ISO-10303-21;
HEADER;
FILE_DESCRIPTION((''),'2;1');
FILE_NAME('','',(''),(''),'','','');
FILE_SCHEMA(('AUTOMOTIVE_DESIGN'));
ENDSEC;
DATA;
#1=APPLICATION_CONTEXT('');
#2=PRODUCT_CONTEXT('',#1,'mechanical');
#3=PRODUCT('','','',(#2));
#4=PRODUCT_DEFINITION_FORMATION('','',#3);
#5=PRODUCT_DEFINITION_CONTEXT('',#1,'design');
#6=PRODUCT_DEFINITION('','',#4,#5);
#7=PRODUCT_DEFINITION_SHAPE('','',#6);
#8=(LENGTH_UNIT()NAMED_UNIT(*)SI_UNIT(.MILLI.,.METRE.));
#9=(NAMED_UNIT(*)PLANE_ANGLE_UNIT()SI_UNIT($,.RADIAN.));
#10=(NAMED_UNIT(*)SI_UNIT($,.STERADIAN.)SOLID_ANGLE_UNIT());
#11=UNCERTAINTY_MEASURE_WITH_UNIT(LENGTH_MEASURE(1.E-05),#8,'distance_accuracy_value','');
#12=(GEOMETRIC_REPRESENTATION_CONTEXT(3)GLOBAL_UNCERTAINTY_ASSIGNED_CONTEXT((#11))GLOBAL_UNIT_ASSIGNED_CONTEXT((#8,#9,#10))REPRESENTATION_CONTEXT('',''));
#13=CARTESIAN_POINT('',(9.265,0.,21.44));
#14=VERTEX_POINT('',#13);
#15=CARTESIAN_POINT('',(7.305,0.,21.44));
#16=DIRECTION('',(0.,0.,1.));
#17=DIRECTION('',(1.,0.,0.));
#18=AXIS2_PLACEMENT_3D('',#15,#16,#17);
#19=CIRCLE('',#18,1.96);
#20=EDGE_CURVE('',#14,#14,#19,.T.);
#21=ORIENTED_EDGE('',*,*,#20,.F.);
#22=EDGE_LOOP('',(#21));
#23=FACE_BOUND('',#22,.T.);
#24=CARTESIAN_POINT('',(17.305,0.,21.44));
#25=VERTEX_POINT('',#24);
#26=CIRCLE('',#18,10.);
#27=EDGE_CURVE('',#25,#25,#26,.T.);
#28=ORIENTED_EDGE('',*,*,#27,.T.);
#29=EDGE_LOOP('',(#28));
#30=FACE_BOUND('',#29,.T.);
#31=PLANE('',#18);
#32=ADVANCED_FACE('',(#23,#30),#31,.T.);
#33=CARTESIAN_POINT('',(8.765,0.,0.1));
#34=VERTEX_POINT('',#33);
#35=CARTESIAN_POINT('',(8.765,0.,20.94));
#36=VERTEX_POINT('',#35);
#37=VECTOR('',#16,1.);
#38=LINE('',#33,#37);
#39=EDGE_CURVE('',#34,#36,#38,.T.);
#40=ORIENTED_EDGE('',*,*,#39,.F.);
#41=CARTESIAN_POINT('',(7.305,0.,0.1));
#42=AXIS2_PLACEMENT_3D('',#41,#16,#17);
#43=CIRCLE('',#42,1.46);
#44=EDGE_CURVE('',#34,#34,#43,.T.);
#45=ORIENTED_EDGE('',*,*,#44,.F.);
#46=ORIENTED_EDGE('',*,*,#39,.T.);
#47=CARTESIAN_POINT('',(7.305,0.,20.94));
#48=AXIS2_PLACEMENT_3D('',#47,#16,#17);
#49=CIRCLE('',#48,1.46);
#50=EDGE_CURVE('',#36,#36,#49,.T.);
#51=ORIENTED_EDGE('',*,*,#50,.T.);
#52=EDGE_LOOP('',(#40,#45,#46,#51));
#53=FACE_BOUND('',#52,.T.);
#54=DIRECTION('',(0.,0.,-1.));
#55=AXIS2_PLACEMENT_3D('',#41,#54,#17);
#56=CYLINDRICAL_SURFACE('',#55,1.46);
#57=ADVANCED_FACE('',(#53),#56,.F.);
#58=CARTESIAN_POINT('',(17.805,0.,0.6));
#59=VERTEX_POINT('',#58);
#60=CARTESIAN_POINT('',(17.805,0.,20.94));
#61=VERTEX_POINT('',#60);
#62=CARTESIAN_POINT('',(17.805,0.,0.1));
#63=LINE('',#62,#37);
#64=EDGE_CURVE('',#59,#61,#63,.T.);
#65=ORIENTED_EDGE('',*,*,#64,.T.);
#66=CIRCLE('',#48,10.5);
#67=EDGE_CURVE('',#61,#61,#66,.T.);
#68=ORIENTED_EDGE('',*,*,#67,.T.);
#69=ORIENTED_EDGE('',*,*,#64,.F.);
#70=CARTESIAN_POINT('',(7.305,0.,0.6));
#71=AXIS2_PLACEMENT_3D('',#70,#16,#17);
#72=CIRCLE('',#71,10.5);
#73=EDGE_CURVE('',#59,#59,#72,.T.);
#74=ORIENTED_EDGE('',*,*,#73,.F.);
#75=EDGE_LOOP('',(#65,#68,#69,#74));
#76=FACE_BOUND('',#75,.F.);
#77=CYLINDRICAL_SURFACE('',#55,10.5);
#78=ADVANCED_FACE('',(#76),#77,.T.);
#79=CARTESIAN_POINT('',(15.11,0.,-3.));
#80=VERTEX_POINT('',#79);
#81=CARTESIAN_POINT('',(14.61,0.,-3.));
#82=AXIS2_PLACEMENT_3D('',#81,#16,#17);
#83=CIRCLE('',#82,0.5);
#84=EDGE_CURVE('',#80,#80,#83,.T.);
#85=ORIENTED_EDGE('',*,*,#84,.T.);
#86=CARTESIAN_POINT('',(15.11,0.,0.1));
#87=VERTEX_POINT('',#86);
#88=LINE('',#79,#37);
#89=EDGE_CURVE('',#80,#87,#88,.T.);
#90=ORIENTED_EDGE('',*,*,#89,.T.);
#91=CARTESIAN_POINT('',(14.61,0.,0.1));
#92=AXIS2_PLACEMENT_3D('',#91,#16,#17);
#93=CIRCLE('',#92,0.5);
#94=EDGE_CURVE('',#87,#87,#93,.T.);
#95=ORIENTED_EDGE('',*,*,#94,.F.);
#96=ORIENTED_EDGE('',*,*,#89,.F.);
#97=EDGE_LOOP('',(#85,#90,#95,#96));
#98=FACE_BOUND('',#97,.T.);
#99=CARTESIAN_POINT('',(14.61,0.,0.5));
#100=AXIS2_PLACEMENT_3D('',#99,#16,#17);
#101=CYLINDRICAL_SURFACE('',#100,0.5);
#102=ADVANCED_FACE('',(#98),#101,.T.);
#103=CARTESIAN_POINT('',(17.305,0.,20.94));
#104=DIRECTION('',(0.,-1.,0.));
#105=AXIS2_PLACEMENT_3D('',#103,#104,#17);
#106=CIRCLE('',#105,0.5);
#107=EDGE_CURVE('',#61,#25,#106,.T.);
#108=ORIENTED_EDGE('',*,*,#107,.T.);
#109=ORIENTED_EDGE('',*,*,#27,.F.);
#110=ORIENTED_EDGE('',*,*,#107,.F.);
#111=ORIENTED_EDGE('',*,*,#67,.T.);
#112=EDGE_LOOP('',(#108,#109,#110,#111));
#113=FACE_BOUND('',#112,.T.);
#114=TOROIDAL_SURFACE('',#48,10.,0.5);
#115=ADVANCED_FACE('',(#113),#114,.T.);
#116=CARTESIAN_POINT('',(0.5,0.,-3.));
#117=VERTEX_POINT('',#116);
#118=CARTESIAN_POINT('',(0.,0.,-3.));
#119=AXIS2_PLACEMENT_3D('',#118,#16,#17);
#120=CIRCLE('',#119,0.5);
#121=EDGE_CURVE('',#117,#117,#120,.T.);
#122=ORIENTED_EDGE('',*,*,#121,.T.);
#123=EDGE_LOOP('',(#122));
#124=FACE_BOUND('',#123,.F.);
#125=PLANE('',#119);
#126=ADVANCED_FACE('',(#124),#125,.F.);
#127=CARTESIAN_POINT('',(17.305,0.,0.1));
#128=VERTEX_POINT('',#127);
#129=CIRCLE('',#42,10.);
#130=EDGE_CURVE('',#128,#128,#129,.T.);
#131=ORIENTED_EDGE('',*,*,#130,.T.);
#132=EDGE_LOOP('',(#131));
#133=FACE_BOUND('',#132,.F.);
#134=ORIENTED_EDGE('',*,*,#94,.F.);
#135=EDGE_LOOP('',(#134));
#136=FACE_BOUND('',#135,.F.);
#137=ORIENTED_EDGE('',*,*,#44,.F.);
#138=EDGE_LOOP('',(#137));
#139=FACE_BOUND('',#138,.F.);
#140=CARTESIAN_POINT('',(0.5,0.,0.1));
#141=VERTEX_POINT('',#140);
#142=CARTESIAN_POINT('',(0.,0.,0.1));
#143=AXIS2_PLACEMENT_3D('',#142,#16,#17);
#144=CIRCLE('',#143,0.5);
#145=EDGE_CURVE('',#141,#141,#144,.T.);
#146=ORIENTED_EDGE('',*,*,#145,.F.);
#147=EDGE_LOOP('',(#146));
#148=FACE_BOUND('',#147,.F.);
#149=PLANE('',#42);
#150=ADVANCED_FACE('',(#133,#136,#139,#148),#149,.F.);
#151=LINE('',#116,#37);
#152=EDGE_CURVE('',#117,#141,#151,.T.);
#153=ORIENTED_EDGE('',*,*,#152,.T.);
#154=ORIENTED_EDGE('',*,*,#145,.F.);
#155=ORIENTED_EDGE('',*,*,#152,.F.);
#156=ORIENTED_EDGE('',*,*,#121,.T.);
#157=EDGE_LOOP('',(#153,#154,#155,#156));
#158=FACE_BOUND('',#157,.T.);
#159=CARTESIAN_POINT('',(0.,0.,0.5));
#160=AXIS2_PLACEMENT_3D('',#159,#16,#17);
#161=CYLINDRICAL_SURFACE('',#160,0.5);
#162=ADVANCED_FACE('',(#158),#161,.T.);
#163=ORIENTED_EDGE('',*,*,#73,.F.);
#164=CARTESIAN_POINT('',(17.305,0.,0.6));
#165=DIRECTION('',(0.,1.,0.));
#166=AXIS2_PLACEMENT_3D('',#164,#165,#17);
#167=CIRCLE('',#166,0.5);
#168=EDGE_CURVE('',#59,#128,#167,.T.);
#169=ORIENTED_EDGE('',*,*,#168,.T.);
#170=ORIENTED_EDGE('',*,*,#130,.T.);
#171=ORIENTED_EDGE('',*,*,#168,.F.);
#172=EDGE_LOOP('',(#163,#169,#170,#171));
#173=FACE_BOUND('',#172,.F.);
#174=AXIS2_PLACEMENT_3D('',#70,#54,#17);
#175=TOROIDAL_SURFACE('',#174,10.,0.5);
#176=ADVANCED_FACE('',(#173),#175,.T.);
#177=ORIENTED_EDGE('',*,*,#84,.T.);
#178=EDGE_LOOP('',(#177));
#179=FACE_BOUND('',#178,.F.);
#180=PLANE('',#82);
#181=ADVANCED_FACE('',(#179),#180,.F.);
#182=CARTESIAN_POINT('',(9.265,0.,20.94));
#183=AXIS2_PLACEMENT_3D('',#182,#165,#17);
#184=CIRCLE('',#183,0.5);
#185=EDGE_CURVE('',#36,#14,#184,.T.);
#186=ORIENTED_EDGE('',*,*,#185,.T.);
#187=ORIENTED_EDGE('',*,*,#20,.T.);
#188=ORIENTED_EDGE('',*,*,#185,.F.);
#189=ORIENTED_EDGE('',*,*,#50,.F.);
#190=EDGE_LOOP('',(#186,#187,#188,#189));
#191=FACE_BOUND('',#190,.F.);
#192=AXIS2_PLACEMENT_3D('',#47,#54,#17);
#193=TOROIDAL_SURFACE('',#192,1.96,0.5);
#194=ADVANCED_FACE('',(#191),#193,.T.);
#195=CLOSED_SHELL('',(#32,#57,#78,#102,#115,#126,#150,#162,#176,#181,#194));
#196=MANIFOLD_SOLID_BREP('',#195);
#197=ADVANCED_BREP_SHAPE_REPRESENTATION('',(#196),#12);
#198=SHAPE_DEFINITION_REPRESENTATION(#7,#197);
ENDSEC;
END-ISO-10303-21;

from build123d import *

# Parameters (mm, degrees)
SKETCH001_R       = 0.5
PAD001_DEPTH      = 10.67
PAD001_DEPTH_BACK = 3.5
SKETCH_R          = 10.5
SKETCH_R_2        = 1.46
PAD_DEPTH         = 21.34
FILLET_R          = 0.5


with BuildPart() as pad001:
    # Sketch001 → Pad001 (new body, two sides)
    with BuildSketch(Plane.XY.offset(0.5)) as pad001_sk:
        Circle(SKETCH001_R)
        with Locations((14.61, 0)):
            Circle(SKETCH001_R)
    extrude(amount=PAD001_DEPTH)
    extrude(pad001_sk.sketch, amount=-PAD001_DEPTH_BACK)


with BuildPart() as fillet_mp_cp:
    # Sketch → Pad (new body)
    with BuildSketch(Plane.XY.offset(0.1)):
        with Locations((7.305, 0)):
            Circle(SKETCH_R)
        with Locations((7.305, 0)):
            Circle(SKETCH_R_2, mode=Mode.SUBTRACT)
    extrude(amount=PAD_DEPTH)

    # Fillet
    fillet_edges = [fillet_mp_cp.edges().sort_by_distance(p)[0] for p in [
        (5.845, 0, 21.44),
        (-3.195, 0, 21.44),
        (-3.195, 0, 0.1),
    ]]
    fillet(fillet_edges, radius=FILLET_R)

    # Fillet_mp_cp: union Pad001
    add(pad001.part)


solid = fillet_mp_cp.part
